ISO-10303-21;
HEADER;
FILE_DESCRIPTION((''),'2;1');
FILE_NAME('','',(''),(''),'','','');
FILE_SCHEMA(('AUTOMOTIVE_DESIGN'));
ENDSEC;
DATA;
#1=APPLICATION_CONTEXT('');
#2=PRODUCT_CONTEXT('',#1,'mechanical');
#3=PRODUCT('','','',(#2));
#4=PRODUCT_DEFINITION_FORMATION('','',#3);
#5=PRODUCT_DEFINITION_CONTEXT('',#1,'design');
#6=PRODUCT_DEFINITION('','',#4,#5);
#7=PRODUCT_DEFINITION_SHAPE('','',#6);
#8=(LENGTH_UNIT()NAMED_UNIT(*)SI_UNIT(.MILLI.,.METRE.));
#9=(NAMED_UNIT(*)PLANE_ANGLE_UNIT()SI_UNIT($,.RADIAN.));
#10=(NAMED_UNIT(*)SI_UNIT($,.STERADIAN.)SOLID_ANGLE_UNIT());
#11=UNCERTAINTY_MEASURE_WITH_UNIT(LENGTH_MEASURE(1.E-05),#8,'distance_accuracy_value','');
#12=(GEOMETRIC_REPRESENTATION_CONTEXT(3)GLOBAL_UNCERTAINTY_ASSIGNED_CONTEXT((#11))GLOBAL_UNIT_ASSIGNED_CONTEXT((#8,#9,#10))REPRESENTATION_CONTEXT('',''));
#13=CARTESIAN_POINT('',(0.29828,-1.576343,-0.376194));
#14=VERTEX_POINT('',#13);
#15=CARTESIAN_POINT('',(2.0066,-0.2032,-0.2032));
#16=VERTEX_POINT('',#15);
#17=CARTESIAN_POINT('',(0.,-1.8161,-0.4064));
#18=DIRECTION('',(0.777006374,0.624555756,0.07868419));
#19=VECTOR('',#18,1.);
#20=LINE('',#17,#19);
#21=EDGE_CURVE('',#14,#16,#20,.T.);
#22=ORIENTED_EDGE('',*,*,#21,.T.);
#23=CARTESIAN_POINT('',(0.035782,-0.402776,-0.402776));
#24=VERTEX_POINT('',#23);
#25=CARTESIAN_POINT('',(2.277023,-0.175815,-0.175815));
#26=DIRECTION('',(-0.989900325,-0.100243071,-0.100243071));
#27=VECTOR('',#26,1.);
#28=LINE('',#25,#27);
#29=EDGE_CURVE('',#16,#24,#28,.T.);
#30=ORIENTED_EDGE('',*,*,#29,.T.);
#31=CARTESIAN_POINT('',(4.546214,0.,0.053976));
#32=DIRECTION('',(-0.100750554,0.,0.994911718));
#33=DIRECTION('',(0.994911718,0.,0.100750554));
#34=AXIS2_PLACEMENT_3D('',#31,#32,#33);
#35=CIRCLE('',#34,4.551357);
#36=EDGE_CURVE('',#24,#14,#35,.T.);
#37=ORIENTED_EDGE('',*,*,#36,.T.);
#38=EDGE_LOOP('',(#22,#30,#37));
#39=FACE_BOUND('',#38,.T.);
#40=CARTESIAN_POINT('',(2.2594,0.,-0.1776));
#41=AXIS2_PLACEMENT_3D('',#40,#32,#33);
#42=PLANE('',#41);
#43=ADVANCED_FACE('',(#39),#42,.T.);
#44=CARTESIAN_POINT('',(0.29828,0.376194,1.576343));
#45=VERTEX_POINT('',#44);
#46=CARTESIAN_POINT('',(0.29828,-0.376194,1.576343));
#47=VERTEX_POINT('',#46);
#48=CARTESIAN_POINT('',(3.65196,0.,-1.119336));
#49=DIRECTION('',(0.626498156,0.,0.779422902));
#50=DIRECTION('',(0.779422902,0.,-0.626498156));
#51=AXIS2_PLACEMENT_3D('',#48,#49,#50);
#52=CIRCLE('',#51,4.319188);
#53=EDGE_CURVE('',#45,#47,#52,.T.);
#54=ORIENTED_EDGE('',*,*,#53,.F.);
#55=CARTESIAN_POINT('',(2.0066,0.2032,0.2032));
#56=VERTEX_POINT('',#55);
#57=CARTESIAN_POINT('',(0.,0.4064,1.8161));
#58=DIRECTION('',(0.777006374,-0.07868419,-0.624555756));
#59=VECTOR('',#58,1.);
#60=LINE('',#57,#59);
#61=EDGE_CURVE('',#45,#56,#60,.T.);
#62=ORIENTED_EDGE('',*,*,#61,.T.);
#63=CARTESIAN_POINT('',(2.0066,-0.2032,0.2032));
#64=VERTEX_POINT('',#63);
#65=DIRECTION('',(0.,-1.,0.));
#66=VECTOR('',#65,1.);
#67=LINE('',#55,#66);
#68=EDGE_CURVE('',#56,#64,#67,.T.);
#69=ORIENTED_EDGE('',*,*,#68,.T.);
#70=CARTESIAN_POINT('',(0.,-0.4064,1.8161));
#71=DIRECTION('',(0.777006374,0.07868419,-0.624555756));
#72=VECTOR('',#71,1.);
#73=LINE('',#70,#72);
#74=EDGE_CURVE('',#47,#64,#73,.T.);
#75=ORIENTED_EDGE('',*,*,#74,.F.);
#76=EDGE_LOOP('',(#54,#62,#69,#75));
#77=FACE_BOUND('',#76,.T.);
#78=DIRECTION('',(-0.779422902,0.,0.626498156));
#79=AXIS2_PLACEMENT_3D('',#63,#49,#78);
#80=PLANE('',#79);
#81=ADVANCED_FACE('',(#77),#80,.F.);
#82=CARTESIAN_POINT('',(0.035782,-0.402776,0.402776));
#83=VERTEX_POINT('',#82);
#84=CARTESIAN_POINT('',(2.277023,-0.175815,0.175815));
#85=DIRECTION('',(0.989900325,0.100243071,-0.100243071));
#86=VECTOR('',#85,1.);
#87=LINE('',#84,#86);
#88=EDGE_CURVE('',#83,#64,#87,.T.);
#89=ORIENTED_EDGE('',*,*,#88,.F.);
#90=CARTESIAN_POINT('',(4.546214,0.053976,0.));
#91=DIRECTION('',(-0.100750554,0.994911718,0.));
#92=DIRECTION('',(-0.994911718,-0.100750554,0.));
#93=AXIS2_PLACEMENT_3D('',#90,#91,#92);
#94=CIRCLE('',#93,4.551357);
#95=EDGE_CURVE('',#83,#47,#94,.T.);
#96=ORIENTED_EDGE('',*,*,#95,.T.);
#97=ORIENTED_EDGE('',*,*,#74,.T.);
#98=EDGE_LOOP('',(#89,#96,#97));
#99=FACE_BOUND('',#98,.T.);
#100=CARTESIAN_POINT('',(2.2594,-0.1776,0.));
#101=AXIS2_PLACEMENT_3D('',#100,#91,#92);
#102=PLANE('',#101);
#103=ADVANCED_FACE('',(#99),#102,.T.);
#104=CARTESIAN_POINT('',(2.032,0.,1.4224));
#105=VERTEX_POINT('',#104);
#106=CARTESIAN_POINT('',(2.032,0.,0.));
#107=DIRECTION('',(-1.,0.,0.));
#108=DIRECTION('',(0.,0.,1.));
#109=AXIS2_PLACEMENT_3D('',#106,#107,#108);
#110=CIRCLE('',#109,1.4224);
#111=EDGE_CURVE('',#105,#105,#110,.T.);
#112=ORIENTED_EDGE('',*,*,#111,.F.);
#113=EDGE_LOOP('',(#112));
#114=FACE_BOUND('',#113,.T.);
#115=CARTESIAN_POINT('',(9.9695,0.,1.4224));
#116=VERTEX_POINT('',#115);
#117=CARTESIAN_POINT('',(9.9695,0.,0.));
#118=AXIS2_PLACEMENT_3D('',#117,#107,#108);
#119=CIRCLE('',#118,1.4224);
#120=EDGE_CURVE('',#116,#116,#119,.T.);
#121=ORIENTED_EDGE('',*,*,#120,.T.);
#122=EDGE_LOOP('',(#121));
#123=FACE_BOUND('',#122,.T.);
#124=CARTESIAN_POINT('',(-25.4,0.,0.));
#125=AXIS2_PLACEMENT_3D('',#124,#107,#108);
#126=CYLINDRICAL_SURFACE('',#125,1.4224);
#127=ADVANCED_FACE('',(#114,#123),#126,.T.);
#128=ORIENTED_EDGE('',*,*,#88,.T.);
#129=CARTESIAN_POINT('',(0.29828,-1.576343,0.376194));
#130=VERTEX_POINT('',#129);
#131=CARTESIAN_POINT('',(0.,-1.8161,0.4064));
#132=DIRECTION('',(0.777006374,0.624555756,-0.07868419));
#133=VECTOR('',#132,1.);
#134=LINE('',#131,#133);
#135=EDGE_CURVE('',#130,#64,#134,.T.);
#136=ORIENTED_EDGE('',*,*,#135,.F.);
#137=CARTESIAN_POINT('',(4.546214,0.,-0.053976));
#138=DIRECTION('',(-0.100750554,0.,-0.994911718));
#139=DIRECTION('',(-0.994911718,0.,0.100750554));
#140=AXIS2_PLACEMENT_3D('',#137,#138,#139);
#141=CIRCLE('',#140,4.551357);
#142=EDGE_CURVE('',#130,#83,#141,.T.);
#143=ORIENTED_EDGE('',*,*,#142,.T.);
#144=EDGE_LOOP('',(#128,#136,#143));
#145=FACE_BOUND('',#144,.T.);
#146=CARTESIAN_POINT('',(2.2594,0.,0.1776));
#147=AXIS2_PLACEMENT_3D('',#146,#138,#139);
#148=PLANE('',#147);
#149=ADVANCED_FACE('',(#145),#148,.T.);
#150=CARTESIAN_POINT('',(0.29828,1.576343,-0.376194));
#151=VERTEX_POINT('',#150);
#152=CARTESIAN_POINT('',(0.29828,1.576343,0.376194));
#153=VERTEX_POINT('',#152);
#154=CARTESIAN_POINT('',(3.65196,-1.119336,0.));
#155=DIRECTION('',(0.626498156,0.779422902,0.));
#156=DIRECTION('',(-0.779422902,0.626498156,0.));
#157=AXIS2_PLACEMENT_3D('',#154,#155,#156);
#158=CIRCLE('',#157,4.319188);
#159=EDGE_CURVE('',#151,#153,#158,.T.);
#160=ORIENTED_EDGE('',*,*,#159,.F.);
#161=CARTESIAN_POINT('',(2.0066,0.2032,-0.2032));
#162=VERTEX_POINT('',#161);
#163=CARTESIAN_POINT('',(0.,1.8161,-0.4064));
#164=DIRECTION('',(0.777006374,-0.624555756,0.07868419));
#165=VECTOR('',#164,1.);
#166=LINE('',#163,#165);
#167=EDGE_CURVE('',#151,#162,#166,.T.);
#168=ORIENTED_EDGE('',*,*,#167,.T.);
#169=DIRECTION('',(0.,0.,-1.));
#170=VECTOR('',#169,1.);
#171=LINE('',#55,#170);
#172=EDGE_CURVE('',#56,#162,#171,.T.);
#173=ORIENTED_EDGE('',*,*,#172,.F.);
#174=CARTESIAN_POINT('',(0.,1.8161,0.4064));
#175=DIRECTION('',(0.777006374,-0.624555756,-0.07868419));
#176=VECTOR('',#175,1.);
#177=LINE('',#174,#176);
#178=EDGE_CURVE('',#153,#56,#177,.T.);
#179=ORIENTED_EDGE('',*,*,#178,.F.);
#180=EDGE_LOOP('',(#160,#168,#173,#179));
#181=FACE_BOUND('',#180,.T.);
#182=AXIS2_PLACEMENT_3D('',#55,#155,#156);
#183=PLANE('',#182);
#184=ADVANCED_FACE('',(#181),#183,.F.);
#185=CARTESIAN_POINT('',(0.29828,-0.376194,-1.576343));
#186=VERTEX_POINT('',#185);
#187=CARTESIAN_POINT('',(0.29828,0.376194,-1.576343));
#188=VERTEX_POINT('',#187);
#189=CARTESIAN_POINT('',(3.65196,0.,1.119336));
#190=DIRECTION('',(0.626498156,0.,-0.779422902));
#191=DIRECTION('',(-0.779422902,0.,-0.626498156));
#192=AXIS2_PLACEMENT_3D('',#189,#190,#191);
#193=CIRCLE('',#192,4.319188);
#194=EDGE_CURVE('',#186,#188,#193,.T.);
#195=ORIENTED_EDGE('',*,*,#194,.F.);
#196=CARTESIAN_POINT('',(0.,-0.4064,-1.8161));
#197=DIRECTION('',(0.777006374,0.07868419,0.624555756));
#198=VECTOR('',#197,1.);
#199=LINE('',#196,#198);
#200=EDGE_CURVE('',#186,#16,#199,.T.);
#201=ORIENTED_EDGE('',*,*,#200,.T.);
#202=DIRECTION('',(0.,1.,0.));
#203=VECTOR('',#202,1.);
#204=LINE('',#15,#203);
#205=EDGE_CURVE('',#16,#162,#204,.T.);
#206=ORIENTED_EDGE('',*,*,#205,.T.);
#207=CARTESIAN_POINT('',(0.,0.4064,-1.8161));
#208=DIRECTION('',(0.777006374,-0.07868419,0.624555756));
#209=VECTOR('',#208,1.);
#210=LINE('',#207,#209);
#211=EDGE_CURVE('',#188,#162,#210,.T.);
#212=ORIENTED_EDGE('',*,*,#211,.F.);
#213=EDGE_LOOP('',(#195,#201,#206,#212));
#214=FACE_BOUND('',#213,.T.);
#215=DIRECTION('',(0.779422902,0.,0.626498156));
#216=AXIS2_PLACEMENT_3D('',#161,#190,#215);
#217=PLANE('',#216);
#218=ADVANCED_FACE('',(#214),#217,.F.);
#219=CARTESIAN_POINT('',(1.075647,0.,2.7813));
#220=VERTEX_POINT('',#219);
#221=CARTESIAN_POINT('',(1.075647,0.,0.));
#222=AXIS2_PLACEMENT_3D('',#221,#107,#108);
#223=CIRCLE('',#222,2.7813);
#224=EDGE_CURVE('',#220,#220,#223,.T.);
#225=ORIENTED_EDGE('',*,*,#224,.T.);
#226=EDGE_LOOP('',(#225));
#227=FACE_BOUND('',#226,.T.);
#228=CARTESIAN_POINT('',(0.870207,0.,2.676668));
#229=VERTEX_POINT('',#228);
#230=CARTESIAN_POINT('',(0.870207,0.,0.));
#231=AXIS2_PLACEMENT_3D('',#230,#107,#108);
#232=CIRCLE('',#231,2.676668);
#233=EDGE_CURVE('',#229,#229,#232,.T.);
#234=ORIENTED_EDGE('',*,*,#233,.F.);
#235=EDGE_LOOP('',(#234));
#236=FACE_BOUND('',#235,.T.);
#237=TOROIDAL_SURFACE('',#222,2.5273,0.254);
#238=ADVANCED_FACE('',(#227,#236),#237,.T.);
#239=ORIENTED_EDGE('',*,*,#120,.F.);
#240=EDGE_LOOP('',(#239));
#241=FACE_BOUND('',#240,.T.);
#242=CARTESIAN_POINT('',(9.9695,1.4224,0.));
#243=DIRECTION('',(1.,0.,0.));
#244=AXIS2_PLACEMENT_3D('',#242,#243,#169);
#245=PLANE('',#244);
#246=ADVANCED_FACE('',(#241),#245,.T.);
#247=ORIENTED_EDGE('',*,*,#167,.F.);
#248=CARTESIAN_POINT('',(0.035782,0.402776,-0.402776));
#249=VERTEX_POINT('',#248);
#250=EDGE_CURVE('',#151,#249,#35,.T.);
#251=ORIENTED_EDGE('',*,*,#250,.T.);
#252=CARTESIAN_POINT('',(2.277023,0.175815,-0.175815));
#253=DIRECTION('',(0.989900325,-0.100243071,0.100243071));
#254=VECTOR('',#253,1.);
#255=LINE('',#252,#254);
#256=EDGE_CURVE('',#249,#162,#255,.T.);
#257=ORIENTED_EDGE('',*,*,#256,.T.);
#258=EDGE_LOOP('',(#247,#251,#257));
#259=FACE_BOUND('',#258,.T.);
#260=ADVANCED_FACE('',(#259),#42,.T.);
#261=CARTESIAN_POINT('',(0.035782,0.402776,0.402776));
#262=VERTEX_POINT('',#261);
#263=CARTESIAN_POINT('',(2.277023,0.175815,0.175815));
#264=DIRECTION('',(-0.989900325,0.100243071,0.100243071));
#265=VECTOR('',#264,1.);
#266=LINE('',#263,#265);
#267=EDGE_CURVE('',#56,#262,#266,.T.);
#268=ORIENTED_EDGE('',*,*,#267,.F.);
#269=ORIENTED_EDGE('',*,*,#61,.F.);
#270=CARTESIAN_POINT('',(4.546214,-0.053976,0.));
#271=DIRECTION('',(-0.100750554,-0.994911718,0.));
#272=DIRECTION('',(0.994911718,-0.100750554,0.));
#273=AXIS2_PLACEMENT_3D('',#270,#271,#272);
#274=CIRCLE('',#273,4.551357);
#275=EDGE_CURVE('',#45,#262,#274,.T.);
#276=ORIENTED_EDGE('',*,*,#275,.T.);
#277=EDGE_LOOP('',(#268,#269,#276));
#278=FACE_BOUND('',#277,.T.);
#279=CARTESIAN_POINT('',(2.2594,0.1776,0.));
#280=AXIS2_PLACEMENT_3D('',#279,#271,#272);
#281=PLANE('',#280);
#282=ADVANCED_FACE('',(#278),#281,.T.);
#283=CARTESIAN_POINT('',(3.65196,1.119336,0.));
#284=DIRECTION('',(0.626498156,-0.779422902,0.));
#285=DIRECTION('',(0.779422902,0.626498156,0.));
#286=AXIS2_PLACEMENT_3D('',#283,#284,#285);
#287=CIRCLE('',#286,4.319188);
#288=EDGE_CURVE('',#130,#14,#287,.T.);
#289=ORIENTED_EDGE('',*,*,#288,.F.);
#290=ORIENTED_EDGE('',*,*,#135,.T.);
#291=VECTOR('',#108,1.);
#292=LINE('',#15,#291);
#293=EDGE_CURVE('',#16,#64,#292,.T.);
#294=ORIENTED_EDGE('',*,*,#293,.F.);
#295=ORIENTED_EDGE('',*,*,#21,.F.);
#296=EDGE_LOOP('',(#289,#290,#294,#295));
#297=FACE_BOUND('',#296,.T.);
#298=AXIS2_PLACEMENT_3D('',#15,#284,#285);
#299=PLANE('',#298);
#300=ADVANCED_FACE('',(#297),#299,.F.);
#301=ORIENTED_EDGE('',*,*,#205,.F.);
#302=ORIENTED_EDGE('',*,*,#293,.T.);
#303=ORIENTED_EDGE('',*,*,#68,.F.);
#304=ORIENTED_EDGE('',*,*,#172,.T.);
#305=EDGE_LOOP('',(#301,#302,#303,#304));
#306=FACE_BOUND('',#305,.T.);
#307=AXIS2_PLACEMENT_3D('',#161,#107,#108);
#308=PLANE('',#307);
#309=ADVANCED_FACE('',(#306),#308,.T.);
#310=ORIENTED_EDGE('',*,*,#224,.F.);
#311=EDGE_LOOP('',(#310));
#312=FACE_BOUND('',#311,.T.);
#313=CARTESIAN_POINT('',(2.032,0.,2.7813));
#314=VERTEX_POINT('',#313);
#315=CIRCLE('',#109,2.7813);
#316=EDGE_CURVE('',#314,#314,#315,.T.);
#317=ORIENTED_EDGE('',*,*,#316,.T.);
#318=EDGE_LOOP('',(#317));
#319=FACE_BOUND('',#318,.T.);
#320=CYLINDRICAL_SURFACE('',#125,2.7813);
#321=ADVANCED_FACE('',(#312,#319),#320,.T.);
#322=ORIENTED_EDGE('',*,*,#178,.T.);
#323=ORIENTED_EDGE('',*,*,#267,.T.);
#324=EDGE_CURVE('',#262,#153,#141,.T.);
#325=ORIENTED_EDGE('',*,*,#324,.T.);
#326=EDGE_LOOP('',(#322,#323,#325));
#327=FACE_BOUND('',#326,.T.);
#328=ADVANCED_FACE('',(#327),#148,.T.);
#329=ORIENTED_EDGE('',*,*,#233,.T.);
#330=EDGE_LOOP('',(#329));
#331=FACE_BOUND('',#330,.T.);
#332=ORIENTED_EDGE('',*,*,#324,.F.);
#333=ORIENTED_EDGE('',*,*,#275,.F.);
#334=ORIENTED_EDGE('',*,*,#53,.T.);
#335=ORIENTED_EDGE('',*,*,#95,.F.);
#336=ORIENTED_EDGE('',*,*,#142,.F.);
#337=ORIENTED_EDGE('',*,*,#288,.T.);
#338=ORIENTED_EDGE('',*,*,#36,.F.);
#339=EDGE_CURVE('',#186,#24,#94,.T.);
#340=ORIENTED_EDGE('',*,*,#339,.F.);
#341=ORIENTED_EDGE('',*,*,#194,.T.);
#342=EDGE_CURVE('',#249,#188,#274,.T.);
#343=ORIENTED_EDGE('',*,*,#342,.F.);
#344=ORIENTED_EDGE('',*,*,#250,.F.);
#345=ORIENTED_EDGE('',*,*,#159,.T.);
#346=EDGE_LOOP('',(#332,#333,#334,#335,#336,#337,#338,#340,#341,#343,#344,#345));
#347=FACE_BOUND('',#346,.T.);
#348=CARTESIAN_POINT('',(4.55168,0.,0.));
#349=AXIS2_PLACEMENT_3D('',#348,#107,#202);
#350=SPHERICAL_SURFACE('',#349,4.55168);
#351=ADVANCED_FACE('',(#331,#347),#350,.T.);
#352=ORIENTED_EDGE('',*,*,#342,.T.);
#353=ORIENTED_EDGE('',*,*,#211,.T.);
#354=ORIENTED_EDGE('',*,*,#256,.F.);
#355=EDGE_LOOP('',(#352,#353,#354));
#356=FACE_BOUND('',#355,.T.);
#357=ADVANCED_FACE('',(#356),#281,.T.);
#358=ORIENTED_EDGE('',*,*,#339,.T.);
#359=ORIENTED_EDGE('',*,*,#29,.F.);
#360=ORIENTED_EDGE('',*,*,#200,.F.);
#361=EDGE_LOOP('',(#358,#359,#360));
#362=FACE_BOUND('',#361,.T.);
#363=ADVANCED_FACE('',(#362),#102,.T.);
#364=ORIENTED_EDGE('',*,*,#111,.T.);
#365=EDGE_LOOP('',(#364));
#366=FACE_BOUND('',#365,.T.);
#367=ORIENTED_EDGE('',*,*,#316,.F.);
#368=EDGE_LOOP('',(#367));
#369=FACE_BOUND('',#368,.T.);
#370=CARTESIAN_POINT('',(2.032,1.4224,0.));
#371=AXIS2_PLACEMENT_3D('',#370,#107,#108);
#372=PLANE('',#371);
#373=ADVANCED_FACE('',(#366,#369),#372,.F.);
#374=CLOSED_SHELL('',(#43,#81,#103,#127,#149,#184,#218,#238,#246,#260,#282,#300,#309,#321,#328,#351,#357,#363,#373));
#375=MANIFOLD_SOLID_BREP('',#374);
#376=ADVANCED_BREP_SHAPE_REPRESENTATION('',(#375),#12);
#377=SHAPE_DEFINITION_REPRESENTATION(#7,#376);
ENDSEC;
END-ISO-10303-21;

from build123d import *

# Parameters (mm, degrees)
CIRPATTERN1_COUNT = 2
CIRPATTERN1_ANGLE = 90


with BuildPart() as part:
    # BodySke → Base-Revolve (revolve)
    with BuildSketch(Plane.XY, mode=Mode.PRIVATE) as base_revolve_sk:
        with BuildLine():
            Line((2.032, 1.4224), (2.032, 2.7813))
            Line((2.032, 2.7813), (1.075646615, 2.7813))
            ThreePointArc((1.075646615, 2.7813), (0.960371669, 2.753635341), (0.87020729, 2.676667612))
            ThreePointArc((0.87020729, 2.676667612), (0.223015279, 1.407285528), (0, 0))
            Line((0, 0), (9.9695, 0))
            Line((9.9695, 0), (9.9695, 1.4224))
            Line((9.9695, 1.4224), (2.032, 1.4224))
        make_face()
    revolve(base_revolve_sk.sketch.rotate(Axis((-25.4, 0, 0), (1, 0, 0)), 90), axis=Axis((-25.4, 0, 0), (1, 0, 0)))

    # Sketch3 → Cut-Loft1 section 0
    with BuildSketch(Plane(origin=(0, 0, 0), x_dir=(0, 0, -1), z_dir=(1, 0, 0))):
        with BuildLine():
            Line((0.4064, -1.8161), (-0.4064, -1.8161))
            Line((-0.4064, -1.8161), (-0.4064, 1.8161))
            Line((-0.4064, 1.8161), (0.4064, 1.8161))
            Line((0.4064, 1.8161), (0.4064, -1.8161))
        make_face()
    # Sketch4 → Cut-Loft1 section 1
    with BuildSketch(Plane(origin=(2.0066, 0, 0), x_dir=(0, 0, -1), z_dir=(1, 0, 0))):
        with BuildLine():
            Line((0.2032, -0.2032), (-0.2032, -0.2032))
            Line((-0.2032, -0.2032), (-0.2032, 0.2032))
            Line((-0.2032, 0.2032), (0.2032, 0.2032))
            Line((0.2032, 0.2032), (0.2032, -0.2032))
        make_face()
    cut_loft1 = loft(mode=Mode.SUBTRACT)

    # CirPattern1: Cut-Loft1 ×2 about axis
    cirpattern1_axis = Axis((0, 0, 0), (1, 0, 0))
    for i in range(1, CIRPATTERN1_COUNT):
        add(cut_loft1.rotate(cirpattern1_axis, i * CIRPATTERN1_ANGLE / (CIRPATTERN1_COUNT - 1)), mode=Mode.SUBTRACT)


solid = part.part
